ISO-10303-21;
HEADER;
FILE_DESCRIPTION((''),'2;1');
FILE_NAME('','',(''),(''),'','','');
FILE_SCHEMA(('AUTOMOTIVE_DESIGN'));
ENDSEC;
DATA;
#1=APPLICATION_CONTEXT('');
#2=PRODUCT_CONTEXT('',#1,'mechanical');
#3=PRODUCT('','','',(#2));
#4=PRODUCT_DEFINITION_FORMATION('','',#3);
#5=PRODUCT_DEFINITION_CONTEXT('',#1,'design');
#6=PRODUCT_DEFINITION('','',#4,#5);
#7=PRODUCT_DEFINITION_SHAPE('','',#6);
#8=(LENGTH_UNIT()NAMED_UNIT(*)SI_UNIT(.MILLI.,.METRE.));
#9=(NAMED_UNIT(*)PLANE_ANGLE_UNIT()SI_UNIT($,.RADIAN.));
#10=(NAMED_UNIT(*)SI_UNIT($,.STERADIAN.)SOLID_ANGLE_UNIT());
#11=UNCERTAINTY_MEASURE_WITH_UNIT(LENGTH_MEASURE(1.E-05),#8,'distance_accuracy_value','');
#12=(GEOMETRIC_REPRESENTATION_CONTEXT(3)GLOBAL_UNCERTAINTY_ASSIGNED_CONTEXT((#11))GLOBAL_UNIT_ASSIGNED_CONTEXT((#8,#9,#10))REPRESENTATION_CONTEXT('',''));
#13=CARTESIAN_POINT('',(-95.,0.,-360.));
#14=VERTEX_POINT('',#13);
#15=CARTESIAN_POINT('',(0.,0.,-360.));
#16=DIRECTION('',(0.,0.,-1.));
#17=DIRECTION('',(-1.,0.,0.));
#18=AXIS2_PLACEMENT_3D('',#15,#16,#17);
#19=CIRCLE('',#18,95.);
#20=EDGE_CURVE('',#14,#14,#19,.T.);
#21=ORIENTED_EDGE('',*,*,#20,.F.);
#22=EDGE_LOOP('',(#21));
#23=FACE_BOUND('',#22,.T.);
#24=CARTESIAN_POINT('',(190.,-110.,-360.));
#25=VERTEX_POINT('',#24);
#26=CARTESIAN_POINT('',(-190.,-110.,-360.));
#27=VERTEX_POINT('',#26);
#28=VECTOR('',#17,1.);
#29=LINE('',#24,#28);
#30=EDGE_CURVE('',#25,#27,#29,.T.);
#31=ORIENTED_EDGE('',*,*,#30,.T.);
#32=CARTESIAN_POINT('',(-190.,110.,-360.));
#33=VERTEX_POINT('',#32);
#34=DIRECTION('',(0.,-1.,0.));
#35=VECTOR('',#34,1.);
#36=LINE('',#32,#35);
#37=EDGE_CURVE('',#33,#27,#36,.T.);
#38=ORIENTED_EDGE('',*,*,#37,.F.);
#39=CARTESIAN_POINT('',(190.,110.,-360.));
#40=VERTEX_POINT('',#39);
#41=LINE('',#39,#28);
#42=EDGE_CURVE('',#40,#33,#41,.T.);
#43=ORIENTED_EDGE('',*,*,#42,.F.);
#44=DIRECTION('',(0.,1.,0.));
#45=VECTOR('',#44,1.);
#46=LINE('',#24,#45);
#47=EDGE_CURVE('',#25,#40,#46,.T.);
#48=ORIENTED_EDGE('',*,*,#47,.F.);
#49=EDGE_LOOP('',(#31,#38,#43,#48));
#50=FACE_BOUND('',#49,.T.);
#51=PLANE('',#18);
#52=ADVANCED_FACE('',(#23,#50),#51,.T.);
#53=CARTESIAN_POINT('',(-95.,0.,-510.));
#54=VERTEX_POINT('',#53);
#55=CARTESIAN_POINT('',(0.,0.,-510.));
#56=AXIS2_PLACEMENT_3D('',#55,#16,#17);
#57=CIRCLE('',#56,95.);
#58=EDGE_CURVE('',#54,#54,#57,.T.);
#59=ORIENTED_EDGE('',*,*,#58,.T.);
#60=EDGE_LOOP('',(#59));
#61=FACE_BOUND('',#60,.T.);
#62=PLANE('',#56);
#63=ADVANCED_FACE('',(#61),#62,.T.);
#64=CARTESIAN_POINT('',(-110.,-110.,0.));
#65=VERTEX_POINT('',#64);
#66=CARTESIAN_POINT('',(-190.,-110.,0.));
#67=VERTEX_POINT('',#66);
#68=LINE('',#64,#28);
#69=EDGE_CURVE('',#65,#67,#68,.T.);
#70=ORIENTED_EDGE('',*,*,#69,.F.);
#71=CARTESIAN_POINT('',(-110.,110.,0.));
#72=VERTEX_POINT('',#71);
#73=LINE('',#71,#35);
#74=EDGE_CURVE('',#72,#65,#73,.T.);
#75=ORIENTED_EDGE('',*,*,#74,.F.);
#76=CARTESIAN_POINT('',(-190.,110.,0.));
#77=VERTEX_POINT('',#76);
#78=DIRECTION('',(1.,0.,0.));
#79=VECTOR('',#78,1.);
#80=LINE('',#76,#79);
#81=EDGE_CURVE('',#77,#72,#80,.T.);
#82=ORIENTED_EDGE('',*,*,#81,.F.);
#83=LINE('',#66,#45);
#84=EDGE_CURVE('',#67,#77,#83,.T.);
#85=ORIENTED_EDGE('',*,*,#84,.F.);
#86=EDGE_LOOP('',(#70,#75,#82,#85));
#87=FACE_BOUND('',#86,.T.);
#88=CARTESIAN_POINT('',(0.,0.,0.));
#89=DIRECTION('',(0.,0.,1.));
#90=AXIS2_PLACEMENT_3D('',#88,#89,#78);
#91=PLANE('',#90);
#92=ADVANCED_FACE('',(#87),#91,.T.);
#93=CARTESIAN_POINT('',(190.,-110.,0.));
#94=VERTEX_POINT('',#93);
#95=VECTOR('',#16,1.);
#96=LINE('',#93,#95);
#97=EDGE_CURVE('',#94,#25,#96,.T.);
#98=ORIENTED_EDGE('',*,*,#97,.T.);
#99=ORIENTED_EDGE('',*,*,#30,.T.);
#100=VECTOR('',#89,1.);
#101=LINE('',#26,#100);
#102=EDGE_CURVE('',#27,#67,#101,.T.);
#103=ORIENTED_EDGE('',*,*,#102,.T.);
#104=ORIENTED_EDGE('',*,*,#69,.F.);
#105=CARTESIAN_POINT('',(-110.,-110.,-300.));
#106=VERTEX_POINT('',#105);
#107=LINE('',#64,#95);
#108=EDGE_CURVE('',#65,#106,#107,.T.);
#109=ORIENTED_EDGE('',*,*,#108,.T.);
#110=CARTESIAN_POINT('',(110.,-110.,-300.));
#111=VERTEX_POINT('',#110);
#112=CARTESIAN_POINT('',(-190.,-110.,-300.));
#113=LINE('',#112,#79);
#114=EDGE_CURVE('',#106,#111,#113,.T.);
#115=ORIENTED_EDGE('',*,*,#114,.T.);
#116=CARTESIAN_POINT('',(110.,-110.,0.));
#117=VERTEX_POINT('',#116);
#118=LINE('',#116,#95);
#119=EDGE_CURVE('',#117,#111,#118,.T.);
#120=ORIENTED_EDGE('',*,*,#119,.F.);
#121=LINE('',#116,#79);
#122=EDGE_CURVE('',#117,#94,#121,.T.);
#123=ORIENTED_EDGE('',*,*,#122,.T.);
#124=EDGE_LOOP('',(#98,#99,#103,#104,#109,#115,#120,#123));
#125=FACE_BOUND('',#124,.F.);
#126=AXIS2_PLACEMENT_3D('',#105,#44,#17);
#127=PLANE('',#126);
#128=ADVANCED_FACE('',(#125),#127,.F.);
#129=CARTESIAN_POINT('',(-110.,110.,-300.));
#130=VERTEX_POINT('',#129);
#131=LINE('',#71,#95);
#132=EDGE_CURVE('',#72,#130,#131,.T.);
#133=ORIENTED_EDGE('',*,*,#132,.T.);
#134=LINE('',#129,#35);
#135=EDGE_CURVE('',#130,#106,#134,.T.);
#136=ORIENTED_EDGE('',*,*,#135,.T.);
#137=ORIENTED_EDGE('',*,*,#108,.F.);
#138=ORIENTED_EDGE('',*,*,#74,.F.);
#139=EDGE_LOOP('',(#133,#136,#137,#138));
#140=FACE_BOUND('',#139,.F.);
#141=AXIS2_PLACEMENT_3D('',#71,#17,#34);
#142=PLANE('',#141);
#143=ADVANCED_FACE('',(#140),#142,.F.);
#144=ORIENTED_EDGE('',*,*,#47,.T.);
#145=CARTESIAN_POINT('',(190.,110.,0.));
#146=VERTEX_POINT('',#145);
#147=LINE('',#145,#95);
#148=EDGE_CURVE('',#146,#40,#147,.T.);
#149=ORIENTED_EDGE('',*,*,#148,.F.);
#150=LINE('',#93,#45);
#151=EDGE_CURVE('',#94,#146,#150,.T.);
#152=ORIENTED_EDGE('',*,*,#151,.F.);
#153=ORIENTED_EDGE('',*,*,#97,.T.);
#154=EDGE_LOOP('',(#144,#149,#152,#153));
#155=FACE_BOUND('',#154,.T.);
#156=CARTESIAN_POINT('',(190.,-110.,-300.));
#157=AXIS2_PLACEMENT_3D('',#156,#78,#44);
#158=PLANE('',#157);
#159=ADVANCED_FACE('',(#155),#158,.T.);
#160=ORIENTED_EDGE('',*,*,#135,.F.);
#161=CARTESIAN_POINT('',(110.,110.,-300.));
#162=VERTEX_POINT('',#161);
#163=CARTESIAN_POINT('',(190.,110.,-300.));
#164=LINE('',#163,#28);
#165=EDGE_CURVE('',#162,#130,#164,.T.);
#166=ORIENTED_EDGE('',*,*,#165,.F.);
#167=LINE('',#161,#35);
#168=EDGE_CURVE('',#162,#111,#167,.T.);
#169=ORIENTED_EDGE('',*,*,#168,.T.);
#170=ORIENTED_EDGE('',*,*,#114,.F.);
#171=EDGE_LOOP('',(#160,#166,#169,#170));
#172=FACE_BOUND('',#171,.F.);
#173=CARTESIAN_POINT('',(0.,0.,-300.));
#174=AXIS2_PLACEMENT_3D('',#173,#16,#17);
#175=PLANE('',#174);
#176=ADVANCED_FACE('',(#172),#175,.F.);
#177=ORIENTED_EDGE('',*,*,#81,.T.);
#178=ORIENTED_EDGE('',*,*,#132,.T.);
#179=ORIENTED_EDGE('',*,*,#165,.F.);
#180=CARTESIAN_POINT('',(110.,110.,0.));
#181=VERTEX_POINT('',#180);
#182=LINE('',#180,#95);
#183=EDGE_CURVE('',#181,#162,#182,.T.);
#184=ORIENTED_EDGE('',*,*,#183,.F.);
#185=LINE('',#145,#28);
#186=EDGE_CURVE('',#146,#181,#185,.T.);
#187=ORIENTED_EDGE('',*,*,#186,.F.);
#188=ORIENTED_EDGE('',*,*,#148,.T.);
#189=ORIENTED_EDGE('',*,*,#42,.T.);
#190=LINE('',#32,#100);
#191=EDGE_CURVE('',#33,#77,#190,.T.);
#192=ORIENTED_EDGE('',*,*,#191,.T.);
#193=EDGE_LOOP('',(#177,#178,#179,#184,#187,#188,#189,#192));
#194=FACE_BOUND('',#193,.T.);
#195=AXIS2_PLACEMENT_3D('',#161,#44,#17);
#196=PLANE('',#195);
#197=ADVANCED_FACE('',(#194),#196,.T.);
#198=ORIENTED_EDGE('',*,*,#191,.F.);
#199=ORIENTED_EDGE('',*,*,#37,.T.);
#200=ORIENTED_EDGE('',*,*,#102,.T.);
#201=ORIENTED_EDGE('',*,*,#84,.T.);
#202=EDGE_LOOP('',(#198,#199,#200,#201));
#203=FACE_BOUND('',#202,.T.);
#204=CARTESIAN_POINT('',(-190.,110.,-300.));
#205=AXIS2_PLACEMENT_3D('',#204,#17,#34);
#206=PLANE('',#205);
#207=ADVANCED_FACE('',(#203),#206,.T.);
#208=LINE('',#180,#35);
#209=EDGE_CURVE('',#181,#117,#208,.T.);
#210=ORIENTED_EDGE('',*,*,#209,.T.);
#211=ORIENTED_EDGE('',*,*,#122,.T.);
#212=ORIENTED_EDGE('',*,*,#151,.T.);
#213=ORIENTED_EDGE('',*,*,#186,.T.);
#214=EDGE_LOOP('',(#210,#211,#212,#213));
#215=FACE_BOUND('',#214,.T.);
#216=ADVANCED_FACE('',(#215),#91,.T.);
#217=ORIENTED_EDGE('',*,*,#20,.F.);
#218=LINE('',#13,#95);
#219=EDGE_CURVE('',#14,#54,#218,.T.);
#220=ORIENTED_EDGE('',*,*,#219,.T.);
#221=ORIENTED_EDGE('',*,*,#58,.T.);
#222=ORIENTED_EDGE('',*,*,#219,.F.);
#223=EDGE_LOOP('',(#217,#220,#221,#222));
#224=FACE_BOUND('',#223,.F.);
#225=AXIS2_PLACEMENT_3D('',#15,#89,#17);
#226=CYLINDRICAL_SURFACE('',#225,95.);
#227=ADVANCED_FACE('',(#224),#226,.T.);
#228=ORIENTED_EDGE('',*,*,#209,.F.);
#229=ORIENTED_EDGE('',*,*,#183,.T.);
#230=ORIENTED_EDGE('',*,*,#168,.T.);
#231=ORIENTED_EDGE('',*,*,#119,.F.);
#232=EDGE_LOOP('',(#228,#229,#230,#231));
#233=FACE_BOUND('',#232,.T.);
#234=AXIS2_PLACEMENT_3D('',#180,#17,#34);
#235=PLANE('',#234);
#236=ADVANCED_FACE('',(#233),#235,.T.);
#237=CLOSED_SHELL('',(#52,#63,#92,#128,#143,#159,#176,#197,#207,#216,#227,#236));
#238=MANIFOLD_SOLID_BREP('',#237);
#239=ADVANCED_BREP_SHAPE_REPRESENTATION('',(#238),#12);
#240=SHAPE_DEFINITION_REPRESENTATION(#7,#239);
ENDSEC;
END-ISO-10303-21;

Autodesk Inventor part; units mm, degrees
ref_plane "YZ Plane" through (0, 0, 0) normal (1, 0, 0) x (0, 1, 0)
ref_plane "XZ Plane" through (0, 0, 0) normal (0, 1, 0) x (-1, 0, 0)
ref_plane "XY Plane" through (0, 0, 0) normal (0, 0, 1) x (1, 0, 0)
sketch "Sketch1" plane through (0, 0, 0) normal (0, 0, 1) x (1, 0, 0)
  line L0 (-190, 110) -> (-110, 110)
  line L1 (-110, 110) -> (-110, -110)
  line L2 (-110, -110) -> (-190, -110)
  line L3 (-190, -110) -> (-190, 110)
  line L4 (-190, 110) -> (-110, -110) construction
  line L5 (-110, 110) -> (-190, -110) construction
  line L6 (0, 0) -> (0, 2) construction
  line L7 (190, 110) -> (110, 110)
  line L8 (110, 110) -> (110, -110)
  line L9 (110, -110) -> (190, -110)
  line L10 (190, -110) -> (190, 110)
  line L11 (190, 110) -> (110, -110) construction
  line L12 (110, 110) -> (190, -110) construction
  point P0 (-150, 0)
  point P1 (-150, 0)
  point P2 (150, 0)
  point P3 (150, 0)
  dimension "d1" = 150
  dimension "d2" = 80
  dimension "d3" = 220
  dimension "d4" = 2
extrude "Extrusion1" add sketch "Sketch1" against normal blind 300
sketch "Sketch2" plane through (0, 0, -300) normal (0, 0, -1) x (-1, 0, 0)
  line L0 (-110, 110) -> (-190, 110) projected
  line L1 (110, -110) -> (190, -110) projected
  line L2 (-190, 110) -> (190, 110)
  line L3 (190, 110) -> (190, -110)
  line L4 (190, -110) -> (-190, -110)
  line L5 (-190, -110) -> (-190, 110)
  point P0 (0, 0)
extrude "Extrusion2" add sketch "Sketch2" along normal blind 60
sketch "Sketch3" plane through (0, 0, -360) normal (0, 0, -1) x (-1, 0, 0)
  circle A0 centre (0, 0) radius 95
  dimension "d9" = 190
extrude "Extrusion3" add sketch "Sketch3" along normal blind 150
thread "Thread1" size "M190x8" class "6g" standard "ANSI Metric M Profile" full length
equation "\"BendRadius\" = Thickness"
equation "\"BendReliefWidth\" = Thickness"
equation "\"BendReliefDepth\" = 0.5 * Thickness"
equation "\"CornerReliefSize\" = 4 * Thickness"
equation "\"MinimumRemnant\" = 2 * Thickness"
equation "\"TransitionRadius\" = BendRadius"
equation "\"JacobiRadiusSize\" = BendRadius"
equation "\"GapSize\" = Thickness"
equation "\"Thickness\" = 3.048"
properties part number "08_Gripper"
